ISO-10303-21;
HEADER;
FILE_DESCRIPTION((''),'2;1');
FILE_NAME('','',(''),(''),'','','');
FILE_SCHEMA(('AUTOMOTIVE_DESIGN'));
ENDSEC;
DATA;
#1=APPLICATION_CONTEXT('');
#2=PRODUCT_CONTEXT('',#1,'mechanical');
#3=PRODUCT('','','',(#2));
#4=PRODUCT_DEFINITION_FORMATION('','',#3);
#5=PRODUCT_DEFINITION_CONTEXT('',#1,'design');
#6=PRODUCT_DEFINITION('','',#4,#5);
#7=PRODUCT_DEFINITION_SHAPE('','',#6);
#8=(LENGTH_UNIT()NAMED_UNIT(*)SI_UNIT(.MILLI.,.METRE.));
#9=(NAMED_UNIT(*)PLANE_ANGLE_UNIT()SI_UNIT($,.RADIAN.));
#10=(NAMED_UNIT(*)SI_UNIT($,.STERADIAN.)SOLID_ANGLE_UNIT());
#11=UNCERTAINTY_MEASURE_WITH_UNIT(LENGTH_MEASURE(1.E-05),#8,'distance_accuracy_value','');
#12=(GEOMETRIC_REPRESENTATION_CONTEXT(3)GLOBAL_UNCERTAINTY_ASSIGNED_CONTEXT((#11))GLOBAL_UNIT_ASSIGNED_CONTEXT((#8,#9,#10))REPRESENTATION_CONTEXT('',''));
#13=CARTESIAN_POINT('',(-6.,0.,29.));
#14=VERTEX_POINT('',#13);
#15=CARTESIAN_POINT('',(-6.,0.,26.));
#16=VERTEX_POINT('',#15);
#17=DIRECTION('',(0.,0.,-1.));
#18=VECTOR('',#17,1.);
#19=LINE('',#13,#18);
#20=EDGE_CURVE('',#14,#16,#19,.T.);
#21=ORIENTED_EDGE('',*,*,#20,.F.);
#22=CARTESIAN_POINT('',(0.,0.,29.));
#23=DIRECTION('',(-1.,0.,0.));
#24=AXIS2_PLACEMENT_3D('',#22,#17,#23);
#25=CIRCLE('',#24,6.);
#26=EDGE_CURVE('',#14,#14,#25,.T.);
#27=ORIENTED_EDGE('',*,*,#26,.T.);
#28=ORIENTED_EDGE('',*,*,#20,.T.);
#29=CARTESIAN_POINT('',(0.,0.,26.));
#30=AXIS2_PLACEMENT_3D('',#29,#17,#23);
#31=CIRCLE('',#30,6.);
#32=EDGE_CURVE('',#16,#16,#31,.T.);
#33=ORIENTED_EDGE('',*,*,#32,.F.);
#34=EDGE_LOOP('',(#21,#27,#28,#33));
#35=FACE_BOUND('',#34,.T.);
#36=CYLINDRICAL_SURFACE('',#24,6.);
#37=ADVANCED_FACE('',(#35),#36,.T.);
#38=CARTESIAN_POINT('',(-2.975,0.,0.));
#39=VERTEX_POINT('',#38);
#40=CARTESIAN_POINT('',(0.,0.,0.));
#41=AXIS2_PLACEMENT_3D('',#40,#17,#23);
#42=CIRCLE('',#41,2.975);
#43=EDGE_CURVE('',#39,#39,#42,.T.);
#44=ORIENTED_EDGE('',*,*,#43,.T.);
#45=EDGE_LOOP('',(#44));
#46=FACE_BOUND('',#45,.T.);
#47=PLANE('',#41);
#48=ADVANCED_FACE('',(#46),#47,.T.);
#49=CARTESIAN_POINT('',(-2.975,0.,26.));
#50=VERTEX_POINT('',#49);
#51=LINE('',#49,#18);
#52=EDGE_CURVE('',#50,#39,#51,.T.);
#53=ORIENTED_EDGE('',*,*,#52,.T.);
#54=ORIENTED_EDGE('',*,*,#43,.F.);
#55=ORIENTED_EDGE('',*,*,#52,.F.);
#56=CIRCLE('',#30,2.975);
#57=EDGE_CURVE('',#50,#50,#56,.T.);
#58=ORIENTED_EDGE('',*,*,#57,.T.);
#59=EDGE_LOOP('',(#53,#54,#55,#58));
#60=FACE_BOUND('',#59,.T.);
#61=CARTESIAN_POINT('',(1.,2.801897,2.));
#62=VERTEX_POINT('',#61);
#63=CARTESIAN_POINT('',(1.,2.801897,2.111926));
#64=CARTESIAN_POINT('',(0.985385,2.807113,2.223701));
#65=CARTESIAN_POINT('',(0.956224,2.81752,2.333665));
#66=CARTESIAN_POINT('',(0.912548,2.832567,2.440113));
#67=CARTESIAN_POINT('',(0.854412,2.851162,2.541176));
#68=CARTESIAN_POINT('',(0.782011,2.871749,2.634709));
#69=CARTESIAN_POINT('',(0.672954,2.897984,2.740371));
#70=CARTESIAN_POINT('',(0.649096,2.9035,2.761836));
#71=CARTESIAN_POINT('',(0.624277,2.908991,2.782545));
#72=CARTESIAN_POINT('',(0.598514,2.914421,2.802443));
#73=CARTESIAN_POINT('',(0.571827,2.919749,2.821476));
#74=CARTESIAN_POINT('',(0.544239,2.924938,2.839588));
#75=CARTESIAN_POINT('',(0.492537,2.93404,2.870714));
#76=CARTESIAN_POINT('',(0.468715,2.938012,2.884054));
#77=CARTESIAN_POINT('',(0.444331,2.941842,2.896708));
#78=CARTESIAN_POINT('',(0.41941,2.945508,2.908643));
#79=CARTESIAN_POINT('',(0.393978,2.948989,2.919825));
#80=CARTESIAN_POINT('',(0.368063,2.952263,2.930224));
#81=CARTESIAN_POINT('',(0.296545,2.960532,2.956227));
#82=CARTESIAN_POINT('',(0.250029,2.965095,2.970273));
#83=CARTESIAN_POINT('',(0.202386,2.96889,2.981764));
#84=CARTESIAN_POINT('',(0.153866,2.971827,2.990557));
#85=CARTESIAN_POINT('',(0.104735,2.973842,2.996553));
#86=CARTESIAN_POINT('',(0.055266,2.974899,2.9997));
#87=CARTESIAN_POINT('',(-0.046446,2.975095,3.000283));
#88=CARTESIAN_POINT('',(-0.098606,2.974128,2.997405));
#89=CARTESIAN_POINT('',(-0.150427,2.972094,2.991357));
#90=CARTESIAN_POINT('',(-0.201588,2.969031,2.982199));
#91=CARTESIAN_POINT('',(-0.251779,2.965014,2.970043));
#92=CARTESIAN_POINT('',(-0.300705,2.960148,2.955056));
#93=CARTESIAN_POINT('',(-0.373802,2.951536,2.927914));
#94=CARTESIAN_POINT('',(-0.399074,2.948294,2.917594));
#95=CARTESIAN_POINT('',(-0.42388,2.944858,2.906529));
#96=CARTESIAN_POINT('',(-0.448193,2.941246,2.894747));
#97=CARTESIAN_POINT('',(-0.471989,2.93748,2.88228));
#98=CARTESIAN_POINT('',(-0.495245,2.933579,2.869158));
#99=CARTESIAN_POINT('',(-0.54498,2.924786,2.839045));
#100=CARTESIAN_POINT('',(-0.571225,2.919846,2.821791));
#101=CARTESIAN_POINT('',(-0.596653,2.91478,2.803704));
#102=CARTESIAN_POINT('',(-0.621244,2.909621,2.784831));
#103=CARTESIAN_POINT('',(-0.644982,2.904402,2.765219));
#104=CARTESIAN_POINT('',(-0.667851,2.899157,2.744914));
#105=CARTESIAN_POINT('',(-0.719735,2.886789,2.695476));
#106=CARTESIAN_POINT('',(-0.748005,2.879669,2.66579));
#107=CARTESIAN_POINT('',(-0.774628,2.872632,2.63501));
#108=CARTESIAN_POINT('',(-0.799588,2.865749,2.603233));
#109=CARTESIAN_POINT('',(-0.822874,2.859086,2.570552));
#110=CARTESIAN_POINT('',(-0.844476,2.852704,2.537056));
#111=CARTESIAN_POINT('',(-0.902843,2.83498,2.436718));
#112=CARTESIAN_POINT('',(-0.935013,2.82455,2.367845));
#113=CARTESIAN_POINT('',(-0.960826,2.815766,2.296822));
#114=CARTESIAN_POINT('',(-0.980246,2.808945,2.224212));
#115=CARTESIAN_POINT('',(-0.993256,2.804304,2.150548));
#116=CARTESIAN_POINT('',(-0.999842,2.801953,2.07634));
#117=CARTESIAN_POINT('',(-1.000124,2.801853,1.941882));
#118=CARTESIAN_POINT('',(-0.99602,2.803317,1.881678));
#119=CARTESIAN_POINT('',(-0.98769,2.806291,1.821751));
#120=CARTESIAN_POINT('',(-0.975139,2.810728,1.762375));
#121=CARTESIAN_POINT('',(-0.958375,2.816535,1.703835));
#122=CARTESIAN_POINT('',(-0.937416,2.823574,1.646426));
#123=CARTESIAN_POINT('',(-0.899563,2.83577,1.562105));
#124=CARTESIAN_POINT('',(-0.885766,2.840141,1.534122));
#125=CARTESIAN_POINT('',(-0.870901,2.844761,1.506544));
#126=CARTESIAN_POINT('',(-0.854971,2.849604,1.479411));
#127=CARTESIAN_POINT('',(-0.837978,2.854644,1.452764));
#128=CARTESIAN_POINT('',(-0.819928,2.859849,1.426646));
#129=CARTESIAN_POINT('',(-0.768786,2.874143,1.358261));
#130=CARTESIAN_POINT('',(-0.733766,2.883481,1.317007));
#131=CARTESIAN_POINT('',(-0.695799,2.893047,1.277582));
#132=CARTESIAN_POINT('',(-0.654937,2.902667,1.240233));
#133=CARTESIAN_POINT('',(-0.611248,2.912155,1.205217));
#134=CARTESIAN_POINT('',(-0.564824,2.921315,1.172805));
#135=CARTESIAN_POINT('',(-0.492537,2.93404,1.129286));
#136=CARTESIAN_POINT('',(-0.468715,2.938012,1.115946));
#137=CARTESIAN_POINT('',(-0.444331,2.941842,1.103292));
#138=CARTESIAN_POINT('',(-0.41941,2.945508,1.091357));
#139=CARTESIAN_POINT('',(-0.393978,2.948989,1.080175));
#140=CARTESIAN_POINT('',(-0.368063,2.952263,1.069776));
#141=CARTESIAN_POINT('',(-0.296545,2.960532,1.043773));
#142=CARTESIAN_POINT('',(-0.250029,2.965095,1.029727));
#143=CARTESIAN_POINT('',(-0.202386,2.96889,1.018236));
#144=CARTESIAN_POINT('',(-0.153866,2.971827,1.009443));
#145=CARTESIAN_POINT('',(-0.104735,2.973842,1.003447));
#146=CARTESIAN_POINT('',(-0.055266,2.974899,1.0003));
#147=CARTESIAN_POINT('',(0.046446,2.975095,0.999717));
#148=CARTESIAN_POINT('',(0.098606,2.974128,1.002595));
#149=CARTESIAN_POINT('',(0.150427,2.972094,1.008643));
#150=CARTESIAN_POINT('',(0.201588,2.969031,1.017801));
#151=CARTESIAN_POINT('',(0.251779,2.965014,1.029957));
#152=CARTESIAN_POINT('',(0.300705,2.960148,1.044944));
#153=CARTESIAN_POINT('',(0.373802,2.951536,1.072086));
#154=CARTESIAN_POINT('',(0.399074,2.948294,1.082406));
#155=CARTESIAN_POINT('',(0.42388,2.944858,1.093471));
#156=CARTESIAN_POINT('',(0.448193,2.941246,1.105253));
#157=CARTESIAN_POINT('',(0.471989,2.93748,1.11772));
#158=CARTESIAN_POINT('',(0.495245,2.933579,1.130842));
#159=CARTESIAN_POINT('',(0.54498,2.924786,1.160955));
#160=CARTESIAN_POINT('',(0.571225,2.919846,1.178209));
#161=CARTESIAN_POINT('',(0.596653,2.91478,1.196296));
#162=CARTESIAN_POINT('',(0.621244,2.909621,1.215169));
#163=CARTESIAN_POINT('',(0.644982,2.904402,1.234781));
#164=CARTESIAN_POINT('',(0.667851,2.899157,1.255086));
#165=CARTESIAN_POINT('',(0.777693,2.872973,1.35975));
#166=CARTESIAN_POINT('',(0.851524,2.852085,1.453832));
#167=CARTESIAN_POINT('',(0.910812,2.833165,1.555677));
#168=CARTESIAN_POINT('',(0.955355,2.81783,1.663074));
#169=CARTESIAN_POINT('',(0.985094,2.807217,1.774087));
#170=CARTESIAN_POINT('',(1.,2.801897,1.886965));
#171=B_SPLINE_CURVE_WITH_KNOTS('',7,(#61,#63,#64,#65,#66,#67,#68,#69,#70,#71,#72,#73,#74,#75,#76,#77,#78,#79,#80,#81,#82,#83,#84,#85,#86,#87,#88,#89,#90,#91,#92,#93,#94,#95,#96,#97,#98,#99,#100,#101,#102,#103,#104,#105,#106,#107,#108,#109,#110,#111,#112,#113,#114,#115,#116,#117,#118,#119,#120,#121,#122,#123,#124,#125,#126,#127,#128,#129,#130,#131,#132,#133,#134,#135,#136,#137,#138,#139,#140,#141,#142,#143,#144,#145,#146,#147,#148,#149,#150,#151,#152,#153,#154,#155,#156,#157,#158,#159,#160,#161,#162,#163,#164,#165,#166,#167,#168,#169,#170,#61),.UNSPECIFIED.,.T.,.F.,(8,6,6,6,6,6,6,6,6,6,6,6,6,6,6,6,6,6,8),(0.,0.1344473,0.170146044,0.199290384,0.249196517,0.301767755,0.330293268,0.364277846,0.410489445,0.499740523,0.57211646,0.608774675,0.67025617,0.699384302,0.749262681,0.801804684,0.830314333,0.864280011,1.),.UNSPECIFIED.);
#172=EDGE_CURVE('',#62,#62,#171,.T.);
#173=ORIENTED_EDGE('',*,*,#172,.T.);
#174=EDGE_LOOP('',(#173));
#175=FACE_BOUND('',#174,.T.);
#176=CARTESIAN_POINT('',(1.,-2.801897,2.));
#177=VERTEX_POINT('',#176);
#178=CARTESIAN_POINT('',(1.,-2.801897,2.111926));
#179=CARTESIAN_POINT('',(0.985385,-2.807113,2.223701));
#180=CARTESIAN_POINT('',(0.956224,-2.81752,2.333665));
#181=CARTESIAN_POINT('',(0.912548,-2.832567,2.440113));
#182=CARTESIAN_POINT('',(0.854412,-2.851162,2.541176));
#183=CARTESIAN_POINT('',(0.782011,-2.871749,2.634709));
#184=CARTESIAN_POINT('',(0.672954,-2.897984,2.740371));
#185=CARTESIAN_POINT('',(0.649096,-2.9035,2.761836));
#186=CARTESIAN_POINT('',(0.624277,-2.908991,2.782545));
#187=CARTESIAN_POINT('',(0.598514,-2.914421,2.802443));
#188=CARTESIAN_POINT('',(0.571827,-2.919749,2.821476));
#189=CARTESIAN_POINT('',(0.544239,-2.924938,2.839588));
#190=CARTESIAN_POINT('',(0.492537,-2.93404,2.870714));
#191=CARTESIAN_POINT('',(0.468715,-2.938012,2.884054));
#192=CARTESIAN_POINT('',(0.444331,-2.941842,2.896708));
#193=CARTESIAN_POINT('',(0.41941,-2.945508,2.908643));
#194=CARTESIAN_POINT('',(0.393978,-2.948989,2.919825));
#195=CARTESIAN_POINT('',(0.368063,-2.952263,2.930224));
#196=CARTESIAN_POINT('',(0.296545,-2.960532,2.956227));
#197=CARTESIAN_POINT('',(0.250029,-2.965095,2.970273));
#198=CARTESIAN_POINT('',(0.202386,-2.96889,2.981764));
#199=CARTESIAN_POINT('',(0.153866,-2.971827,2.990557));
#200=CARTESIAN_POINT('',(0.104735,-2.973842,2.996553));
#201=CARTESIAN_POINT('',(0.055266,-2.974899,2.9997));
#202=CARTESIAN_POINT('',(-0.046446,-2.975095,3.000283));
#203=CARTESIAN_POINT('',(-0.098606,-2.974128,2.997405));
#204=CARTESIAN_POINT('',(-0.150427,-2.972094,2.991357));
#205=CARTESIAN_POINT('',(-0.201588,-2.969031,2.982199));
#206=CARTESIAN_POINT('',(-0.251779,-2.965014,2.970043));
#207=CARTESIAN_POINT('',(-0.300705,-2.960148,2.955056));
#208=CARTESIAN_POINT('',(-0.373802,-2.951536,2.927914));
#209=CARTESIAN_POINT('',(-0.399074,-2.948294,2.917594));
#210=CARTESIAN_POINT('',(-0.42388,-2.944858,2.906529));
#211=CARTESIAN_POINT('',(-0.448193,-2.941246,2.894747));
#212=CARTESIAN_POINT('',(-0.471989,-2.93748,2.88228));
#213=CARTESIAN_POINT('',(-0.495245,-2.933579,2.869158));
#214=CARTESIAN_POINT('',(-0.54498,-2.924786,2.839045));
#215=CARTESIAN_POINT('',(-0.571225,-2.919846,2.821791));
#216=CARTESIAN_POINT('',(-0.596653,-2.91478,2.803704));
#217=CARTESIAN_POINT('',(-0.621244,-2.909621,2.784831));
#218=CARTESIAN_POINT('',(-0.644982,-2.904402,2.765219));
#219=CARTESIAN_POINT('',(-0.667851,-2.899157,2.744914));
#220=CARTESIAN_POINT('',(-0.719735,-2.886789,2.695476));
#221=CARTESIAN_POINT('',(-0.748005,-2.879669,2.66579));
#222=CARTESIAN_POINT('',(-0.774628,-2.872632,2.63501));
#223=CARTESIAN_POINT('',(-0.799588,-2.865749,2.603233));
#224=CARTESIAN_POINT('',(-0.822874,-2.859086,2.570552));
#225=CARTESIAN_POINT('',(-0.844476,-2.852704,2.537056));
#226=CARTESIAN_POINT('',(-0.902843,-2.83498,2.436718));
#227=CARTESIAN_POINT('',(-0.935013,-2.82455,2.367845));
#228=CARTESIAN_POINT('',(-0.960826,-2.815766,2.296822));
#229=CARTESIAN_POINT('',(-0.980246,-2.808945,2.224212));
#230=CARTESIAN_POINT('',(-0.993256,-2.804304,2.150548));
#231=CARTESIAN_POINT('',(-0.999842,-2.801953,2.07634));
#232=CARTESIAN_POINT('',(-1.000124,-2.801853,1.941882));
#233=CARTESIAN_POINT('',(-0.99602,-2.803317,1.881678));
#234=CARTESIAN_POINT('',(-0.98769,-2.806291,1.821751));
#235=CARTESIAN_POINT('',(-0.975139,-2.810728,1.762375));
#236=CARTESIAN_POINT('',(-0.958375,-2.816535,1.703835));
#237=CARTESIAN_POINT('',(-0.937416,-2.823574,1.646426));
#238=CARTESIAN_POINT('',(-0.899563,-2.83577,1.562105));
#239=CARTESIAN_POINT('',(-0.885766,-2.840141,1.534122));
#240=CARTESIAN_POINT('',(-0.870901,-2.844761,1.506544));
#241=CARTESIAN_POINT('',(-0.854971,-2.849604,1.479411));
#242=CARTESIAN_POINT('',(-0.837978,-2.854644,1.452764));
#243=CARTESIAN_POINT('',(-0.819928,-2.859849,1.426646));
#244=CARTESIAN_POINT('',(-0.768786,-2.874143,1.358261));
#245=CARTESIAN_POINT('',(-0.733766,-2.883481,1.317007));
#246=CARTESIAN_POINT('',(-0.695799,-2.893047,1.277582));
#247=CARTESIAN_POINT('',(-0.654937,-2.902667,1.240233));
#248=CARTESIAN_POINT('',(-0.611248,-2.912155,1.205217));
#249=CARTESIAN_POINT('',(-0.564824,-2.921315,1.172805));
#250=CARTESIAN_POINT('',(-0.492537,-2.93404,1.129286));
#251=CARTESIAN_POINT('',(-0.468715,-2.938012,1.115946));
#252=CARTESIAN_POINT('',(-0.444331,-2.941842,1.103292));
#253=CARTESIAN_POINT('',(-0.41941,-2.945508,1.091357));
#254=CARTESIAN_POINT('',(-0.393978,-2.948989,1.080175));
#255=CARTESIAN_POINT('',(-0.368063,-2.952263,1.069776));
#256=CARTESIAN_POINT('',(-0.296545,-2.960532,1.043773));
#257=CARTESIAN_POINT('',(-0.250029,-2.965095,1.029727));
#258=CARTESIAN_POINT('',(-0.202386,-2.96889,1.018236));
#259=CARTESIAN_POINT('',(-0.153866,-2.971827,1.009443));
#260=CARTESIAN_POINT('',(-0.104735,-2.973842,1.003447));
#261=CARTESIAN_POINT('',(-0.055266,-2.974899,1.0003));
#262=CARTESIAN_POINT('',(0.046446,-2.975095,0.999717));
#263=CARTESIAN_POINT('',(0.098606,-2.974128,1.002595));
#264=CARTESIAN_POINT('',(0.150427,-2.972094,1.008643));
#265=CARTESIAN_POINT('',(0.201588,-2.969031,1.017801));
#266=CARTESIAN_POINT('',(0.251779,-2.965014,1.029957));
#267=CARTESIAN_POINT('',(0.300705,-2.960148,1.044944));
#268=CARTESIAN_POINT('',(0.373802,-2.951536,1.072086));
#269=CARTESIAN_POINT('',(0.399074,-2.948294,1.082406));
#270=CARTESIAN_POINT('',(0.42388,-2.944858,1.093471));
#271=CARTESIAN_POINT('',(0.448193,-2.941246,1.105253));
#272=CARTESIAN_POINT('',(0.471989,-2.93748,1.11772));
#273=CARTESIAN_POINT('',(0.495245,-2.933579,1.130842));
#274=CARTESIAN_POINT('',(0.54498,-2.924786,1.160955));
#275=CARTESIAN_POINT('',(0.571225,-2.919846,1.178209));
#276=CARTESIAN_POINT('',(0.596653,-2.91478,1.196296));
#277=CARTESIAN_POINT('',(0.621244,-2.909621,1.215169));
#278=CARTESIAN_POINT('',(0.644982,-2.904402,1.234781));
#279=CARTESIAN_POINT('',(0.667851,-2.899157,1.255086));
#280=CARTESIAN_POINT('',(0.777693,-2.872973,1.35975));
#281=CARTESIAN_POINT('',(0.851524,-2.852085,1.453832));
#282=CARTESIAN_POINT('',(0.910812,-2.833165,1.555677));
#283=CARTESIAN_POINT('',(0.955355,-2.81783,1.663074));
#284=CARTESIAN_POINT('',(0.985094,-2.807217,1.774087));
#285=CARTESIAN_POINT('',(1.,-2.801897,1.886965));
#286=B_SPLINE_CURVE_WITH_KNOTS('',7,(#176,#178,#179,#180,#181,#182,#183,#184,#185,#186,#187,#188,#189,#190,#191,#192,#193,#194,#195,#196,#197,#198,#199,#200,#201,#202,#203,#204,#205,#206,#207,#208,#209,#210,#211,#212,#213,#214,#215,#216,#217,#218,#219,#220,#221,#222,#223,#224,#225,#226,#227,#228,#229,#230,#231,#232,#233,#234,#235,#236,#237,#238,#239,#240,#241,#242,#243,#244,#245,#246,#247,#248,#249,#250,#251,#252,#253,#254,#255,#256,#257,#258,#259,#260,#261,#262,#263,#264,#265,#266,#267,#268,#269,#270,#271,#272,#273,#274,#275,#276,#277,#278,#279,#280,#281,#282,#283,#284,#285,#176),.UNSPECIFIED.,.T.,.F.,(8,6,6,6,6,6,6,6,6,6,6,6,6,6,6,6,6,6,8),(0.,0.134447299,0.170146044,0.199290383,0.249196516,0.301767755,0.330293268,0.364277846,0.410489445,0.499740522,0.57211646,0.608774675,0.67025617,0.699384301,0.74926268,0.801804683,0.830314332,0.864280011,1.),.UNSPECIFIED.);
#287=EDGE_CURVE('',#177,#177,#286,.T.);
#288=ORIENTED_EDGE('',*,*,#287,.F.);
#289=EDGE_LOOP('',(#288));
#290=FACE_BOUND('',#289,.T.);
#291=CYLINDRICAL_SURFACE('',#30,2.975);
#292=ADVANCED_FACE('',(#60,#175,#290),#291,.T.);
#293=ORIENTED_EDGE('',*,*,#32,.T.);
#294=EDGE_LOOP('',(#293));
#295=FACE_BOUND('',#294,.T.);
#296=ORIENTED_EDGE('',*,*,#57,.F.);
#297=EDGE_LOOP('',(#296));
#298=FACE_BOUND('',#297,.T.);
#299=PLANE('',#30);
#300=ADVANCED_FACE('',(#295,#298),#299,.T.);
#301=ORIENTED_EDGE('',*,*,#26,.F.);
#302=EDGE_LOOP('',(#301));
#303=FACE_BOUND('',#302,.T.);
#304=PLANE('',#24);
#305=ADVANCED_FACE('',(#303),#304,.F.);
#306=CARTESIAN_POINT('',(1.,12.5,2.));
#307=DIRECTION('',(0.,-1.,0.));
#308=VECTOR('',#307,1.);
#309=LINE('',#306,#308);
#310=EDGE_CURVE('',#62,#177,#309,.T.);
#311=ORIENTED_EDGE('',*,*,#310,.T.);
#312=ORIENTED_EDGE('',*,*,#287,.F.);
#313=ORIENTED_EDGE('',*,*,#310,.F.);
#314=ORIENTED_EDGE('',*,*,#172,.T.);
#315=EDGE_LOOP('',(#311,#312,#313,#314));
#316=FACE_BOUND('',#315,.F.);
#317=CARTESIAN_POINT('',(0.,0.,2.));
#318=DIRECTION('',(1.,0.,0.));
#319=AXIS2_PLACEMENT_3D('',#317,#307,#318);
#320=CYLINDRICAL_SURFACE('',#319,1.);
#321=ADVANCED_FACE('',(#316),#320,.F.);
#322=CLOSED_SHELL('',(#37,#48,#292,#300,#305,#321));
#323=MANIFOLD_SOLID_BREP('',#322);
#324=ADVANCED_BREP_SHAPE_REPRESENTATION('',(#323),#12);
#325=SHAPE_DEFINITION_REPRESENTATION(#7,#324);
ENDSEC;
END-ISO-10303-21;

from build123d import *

# Parameters (mm, degrees)
F2_R     = 1
F3_DEPTH = 12.5


with BuildPart() as f1:
    # F0 (on Front) → F1 (revolve)
    with BuildSketch(Plane.XZ):
        Polygon((-2.975, 26), (-2.975, 0), (0, 0), (0, 29), (-6, 29), (-6, 26), align=None)
    revolve(axis=Axis((0, 0, 14.453638), (0, 0, -1)))

    # F2 (on Front) → F3 (cut, symmetric)
    with BuildSketch(Plane.XZ):
        with Locations((0, 2)):
            Circle(F2_R)
    extrude(amount=F3_DEPTH, both=True, mode=Mode.SUBTRACT)


solid = f1.part
